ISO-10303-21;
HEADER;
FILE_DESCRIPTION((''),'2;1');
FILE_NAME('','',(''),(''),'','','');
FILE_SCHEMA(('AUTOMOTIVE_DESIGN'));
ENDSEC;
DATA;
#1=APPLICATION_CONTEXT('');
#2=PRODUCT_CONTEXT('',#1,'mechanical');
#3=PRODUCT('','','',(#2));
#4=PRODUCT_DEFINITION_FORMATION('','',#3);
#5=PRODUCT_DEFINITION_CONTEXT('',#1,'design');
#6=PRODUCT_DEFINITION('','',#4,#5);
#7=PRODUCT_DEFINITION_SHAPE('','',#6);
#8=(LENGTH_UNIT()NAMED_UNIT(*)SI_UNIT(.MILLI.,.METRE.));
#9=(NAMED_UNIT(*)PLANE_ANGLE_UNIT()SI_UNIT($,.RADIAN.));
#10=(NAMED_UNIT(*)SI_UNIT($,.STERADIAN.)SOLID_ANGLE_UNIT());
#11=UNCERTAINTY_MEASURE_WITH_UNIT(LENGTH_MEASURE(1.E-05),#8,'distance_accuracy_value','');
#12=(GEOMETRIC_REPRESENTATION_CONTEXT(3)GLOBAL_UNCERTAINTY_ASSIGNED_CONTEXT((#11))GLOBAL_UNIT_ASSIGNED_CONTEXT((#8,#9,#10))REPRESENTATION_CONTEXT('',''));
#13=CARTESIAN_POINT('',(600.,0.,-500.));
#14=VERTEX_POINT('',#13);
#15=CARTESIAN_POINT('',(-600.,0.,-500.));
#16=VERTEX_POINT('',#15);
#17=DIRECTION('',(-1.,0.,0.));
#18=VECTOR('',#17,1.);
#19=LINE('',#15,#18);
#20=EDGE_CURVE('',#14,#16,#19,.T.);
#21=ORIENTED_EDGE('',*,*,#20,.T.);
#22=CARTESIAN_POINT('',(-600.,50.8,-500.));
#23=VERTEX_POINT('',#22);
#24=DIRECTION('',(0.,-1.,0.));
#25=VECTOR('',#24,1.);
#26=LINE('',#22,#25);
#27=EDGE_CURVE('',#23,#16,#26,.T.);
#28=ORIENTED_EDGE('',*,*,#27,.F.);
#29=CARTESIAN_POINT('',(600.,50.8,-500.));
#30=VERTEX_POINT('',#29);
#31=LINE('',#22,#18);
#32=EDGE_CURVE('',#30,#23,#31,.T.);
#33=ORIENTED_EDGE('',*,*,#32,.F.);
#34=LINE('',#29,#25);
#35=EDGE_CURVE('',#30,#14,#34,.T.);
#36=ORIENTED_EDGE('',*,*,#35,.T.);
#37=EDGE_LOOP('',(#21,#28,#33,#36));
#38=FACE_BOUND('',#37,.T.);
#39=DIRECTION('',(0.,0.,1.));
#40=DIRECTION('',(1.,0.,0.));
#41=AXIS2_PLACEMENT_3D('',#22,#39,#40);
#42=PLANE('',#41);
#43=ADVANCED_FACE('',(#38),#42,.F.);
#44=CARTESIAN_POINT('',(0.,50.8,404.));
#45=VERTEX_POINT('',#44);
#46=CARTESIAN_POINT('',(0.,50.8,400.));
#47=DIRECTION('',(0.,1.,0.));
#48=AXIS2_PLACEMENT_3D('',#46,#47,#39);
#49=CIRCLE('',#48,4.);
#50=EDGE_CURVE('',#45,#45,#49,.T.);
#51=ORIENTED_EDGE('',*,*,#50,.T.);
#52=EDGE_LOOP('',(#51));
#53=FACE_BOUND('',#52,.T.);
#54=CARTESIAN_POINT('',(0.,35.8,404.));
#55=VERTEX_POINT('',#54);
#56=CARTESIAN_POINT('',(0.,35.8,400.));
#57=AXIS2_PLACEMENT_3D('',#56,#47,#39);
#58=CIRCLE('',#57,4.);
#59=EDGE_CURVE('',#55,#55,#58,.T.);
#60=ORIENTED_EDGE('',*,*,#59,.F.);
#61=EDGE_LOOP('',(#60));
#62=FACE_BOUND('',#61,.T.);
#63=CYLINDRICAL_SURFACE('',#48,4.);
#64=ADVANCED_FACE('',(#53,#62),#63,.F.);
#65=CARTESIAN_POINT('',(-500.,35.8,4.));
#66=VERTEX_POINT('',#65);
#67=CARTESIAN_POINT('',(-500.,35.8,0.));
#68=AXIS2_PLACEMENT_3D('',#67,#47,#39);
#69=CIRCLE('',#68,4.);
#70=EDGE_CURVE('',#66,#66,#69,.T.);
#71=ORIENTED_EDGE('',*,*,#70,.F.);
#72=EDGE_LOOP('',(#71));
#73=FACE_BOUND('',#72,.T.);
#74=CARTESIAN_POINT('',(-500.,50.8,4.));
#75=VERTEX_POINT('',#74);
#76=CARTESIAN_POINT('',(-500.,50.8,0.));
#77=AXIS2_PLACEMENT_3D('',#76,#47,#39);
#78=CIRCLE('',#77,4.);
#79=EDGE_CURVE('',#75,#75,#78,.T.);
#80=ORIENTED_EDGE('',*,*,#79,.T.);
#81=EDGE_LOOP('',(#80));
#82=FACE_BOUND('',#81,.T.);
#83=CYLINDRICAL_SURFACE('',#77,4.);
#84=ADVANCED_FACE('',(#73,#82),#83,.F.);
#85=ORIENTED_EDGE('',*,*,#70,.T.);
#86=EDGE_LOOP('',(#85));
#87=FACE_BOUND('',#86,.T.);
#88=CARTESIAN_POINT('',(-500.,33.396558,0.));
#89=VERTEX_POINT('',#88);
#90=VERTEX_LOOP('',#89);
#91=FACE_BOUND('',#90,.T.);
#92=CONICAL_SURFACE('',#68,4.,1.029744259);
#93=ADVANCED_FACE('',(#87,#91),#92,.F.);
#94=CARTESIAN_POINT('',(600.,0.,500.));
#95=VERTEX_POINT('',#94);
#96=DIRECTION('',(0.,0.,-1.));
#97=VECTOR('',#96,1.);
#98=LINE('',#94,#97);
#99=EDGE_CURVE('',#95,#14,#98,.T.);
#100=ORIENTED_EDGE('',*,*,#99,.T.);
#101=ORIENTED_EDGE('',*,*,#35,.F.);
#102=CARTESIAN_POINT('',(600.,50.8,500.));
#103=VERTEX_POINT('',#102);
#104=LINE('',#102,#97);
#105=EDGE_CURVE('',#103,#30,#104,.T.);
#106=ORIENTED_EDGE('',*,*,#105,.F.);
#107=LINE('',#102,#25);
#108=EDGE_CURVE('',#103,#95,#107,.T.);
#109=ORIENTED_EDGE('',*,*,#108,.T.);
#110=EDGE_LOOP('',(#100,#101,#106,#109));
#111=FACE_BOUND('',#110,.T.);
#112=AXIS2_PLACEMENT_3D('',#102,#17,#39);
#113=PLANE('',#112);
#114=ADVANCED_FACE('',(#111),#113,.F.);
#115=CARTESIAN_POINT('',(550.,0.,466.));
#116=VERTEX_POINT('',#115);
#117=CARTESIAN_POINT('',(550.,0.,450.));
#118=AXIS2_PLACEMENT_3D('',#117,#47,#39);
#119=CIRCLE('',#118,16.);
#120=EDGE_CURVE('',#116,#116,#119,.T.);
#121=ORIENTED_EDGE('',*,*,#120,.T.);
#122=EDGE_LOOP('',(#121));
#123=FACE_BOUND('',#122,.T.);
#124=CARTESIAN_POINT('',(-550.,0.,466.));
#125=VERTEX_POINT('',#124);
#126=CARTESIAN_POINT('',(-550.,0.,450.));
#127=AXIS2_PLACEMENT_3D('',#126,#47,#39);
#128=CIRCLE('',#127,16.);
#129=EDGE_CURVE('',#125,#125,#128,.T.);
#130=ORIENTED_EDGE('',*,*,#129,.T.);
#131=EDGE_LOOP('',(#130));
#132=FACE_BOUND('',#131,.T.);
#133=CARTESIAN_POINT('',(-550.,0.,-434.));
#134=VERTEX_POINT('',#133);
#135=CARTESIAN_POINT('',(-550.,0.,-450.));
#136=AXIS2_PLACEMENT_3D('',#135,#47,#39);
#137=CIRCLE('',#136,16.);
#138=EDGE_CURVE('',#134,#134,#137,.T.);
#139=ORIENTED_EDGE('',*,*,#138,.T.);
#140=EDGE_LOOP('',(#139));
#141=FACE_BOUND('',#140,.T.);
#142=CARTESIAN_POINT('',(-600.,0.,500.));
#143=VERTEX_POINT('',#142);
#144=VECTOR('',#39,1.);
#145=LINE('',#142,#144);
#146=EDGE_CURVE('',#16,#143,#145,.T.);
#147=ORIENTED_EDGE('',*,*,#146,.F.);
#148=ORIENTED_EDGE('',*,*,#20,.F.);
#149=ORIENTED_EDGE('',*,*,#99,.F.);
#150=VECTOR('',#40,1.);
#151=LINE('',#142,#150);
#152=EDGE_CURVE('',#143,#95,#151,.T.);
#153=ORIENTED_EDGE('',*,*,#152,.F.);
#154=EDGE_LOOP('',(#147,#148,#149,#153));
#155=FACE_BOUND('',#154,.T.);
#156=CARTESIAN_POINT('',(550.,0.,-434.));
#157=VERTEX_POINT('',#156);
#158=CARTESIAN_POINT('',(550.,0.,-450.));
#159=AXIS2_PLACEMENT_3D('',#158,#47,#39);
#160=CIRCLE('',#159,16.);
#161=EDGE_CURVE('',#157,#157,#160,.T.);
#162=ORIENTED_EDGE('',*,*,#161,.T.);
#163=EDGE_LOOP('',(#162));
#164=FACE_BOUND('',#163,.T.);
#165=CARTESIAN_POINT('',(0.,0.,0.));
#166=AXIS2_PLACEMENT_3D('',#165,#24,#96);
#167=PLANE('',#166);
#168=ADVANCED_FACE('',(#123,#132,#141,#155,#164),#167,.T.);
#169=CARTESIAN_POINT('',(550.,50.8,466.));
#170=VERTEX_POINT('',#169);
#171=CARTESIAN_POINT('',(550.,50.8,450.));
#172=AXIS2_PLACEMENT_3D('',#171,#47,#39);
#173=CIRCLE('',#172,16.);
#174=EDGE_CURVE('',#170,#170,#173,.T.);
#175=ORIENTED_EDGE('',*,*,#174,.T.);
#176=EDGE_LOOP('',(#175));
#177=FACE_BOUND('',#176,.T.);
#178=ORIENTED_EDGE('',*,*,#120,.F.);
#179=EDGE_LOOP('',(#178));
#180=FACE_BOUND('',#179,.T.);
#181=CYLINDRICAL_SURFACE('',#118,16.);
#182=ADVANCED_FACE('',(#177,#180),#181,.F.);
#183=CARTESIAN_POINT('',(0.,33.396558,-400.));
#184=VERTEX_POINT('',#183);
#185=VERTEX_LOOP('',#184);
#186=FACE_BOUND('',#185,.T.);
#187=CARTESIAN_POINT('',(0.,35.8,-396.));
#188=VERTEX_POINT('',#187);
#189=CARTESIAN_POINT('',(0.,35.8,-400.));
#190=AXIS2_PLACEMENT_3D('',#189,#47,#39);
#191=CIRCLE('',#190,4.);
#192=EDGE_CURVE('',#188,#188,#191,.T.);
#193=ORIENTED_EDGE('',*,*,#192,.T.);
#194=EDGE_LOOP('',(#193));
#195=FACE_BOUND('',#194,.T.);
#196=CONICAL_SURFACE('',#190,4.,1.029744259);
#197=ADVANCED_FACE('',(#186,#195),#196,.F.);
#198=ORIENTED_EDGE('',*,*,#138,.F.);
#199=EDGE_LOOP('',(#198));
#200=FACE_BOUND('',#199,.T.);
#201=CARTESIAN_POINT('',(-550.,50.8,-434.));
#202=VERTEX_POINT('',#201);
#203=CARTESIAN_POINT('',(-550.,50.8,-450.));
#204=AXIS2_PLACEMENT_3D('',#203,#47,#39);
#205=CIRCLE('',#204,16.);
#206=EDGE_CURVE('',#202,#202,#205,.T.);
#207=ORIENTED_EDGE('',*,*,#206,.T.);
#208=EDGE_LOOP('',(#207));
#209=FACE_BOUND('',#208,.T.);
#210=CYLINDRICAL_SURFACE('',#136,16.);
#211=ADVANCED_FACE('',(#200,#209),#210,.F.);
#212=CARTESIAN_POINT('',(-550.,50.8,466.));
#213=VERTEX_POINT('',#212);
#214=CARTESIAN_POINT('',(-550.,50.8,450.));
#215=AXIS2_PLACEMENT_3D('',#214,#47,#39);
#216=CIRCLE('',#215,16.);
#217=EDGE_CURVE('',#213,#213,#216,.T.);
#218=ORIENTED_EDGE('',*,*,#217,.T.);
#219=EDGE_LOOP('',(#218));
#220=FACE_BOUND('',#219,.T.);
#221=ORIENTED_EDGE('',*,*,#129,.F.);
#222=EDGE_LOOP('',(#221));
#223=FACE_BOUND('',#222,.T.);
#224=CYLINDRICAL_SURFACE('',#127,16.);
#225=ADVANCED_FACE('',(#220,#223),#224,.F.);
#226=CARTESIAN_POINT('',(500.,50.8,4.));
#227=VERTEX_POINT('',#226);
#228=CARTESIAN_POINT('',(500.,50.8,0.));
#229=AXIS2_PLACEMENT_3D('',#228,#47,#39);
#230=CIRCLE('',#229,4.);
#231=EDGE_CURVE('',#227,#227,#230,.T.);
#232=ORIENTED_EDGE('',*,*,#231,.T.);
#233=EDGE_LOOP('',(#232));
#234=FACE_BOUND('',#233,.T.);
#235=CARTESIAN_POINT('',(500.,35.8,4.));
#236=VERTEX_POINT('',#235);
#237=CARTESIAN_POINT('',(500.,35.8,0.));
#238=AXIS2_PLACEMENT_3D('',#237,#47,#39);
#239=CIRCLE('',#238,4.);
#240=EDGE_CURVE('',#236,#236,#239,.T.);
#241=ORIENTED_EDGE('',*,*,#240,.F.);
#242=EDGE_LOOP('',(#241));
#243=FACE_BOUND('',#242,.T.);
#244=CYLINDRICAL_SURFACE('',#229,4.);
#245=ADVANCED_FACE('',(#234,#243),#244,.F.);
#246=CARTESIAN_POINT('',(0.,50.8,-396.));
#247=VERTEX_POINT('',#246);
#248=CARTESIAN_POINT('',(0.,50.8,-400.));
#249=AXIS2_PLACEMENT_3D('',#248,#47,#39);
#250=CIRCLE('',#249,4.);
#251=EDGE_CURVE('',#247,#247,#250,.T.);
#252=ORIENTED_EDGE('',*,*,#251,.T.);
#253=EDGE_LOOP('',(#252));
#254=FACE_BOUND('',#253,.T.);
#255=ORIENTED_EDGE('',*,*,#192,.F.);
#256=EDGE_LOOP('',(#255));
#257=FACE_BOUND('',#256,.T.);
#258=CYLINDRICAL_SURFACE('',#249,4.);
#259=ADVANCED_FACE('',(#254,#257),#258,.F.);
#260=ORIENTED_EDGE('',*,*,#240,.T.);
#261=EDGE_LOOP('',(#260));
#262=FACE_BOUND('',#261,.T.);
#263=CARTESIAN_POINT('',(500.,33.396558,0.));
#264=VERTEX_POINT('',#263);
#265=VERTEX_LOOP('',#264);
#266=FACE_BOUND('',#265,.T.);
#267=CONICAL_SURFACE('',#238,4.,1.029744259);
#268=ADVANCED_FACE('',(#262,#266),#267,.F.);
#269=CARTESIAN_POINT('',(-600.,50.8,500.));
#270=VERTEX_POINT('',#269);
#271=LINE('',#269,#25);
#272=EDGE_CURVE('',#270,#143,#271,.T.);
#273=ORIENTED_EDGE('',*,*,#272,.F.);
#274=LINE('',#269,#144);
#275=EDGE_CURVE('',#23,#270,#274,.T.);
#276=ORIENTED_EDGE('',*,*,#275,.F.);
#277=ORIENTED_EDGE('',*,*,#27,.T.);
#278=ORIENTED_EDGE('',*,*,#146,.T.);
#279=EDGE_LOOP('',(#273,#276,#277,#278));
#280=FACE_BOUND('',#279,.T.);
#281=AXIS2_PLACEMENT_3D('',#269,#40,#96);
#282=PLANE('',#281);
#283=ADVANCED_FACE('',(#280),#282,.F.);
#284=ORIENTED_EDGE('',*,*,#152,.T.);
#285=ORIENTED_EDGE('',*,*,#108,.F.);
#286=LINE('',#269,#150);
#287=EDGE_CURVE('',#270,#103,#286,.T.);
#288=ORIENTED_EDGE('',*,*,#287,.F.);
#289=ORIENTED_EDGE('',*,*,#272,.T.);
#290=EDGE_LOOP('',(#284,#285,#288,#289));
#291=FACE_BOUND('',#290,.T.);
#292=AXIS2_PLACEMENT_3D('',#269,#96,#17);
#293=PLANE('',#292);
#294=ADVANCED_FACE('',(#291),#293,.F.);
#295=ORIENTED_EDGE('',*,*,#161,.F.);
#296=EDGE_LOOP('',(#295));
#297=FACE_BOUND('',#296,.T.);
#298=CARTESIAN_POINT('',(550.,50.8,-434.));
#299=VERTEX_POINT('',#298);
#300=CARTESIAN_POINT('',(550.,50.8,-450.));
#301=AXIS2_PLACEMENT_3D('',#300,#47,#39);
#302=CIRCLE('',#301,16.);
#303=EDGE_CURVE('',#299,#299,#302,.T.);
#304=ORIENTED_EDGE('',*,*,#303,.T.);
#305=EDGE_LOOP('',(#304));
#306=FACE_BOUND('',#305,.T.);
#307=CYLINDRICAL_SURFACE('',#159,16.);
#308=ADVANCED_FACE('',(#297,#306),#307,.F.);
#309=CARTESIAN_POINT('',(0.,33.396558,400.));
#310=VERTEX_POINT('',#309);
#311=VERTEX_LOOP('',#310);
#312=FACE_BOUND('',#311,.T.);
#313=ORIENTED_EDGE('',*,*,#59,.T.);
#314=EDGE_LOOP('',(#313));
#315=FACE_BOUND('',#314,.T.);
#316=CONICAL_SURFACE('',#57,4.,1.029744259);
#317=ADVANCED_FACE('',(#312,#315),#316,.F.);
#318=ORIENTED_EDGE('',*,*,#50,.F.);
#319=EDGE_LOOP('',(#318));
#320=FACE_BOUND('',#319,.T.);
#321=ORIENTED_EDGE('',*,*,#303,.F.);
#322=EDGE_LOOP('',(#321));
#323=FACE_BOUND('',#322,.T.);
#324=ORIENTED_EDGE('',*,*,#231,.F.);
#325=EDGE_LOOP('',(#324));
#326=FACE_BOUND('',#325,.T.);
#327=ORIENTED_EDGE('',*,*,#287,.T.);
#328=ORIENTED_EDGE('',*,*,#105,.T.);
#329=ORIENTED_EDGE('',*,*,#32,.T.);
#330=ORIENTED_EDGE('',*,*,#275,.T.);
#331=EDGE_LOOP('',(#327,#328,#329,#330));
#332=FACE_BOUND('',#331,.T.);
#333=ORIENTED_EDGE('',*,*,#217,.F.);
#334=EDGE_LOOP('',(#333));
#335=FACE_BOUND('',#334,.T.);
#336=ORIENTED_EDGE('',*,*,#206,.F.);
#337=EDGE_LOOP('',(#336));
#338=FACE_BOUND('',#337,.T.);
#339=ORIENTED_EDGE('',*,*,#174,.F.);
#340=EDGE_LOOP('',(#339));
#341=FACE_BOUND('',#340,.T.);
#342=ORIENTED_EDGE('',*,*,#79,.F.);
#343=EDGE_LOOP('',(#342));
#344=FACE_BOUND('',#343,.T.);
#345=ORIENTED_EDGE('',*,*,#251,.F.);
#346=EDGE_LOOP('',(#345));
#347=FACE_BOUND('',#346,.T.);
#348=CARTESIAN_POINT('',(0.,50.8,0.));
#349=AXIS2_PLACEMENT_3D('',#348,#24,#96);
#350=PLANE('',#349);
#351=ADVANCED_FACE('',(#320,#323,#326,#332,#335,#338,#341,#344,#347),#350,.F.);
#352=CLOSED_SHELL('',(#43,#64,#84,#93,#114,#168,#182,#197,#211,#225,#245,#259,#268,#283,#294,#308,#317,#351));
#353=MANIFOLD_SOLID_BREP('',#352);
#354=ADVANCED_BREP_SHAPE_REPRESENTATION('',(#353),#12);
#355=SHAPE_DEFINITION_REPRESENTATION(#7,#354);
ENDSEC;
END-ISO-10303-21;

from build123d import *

# Parameters (mm, degrees)
ESBO_O2_W                      = 1200
ESBO_O2_H                      = 1000
RESSALTO_EXTRUS_O1_DEPTH       = 50.8
CORTE_EXTRUS_O1_DEPTH          = 783.675309436
FURO_DE_DI_METRO_8_0_8_1_D     = 8
FURO_DE_DI_METRO_8_0_8_1_DEPTH = 15
FURO_DE_DI_METRO_8_0_8_1_TIP   = 2.403442476


with BuildPart() as part:
    # Esboço2 → Ressalto-extrusão1 (new body)
    with BuildSketch(Plane(origin=(0, 0, 0), x_dir=(1, 0, 0), z_dir=(0, 1, 0))):
        Rectangle(ESBO_O2_W, ESBO_O2_H)
    extrude(amount=RESSALTO_EXTRUS_O1_DEPTH)

    # Esboço3 → Corte-extrusão1 (cut, through all)
    with BuildSketch(Plane(origin=(0, 50.8, 0), x_dir=(1, 0, 0), z_dir=(0, 1, 0))):
        with BuildLine():
            ThreePointArc((-534, 450), (-561.313708499, 461.313708499), (-550, 434))
            Line((-550, 434), (-550, 450))
            Line((-550, 450), (-534, 450))
        make_face()
        with BuildLine():
            Line((-550, 450), (-550, 434))
            ThreePointArc((-550, 434), (-538.686291501, 438.686291501), (-534, 450))
            Line((-534, 450), (-550, 450))
        make_face()
        with BuildLine():
            ThreePointArc((534, 450), (538.686291501, 438.686291501), (550, 434))
            Line((550, 434), (550, 450))
            Line((550, 450), (534, 450))
        make_face()
        with BuildLine():
            Line((550, 450), (550, 434))
            ThreePointArc((550, 434), (561.313708499, 438.686291501), (566, 450))
            ThreePointArc((566, 450), (550, 466), (534, 450))
            Line((534, 450), (550, 450))
        make_face()
        with BuildLine():
            ThreePointArc((550, -434), (538.686291501, -438.686291501), (534, -450))
            Line((534, -450), (550, -450))
            Line((550, -450), (550, -434))
        make_face()
        with BuildLine():
            Line((550, -450), (534, -450))
            ThreePointArc((534, -450), (550, -466), (566, -450))
            ThreePointArc((566, -450), (561.313708499, -438.686291501), (550, -434))
            Line((550, -434), (550, -450))
        make_face()
        with BuildLine():
            Line((-550, -434), (-550, -450))
            Line((-550, -450), (-534, -450))
            ThreePointArc((-534, -450), (-538.686291501, -438.686291501), (-550, -434))
        make_face()
        with BuildLine():
            Line((-534, -450), (-550, -450))
            Line((-550, -450), (-550, -434))
            ThreePointArc((-550, -434), (-561.313708499, -461.313708499), (-534, -450))
        make_face()
    extrude(amount=-CORTE_EXTRUS_O1_DEPTH, mode=Mode.SUBTRACT)

    # Furo de diâmetro Ø8.0 (8)1
    with Locations(Plane(origin=(0, 50.8, 0), x_dir=(1, 0, 0), z_dir=(0, 1, 0))):
        with Locations((-500, 0), (0, 400), (500, 0), (0, -400)):
            Hole(FURO_DE_DI_METRO_8_0_8_1_D / 2, depth=FURO_DE_DI_METRO_8_0_8_1_DEPTH)
            with Locations((0, 0, -(FURO_DE_DI_METRO_8_0_8_1_DEPTH + FURO_DE_DI_METRO_8_0_8_1_TIP / 2))):  # 118° drill point
                Cone(0, FURO_DE_DI_METRO_8_0_8_1_D / 2, FURO_DE_DI_METRO_8_0_8_1_TIP, mode=Mode.SUBTRACT)


solid = part.part
